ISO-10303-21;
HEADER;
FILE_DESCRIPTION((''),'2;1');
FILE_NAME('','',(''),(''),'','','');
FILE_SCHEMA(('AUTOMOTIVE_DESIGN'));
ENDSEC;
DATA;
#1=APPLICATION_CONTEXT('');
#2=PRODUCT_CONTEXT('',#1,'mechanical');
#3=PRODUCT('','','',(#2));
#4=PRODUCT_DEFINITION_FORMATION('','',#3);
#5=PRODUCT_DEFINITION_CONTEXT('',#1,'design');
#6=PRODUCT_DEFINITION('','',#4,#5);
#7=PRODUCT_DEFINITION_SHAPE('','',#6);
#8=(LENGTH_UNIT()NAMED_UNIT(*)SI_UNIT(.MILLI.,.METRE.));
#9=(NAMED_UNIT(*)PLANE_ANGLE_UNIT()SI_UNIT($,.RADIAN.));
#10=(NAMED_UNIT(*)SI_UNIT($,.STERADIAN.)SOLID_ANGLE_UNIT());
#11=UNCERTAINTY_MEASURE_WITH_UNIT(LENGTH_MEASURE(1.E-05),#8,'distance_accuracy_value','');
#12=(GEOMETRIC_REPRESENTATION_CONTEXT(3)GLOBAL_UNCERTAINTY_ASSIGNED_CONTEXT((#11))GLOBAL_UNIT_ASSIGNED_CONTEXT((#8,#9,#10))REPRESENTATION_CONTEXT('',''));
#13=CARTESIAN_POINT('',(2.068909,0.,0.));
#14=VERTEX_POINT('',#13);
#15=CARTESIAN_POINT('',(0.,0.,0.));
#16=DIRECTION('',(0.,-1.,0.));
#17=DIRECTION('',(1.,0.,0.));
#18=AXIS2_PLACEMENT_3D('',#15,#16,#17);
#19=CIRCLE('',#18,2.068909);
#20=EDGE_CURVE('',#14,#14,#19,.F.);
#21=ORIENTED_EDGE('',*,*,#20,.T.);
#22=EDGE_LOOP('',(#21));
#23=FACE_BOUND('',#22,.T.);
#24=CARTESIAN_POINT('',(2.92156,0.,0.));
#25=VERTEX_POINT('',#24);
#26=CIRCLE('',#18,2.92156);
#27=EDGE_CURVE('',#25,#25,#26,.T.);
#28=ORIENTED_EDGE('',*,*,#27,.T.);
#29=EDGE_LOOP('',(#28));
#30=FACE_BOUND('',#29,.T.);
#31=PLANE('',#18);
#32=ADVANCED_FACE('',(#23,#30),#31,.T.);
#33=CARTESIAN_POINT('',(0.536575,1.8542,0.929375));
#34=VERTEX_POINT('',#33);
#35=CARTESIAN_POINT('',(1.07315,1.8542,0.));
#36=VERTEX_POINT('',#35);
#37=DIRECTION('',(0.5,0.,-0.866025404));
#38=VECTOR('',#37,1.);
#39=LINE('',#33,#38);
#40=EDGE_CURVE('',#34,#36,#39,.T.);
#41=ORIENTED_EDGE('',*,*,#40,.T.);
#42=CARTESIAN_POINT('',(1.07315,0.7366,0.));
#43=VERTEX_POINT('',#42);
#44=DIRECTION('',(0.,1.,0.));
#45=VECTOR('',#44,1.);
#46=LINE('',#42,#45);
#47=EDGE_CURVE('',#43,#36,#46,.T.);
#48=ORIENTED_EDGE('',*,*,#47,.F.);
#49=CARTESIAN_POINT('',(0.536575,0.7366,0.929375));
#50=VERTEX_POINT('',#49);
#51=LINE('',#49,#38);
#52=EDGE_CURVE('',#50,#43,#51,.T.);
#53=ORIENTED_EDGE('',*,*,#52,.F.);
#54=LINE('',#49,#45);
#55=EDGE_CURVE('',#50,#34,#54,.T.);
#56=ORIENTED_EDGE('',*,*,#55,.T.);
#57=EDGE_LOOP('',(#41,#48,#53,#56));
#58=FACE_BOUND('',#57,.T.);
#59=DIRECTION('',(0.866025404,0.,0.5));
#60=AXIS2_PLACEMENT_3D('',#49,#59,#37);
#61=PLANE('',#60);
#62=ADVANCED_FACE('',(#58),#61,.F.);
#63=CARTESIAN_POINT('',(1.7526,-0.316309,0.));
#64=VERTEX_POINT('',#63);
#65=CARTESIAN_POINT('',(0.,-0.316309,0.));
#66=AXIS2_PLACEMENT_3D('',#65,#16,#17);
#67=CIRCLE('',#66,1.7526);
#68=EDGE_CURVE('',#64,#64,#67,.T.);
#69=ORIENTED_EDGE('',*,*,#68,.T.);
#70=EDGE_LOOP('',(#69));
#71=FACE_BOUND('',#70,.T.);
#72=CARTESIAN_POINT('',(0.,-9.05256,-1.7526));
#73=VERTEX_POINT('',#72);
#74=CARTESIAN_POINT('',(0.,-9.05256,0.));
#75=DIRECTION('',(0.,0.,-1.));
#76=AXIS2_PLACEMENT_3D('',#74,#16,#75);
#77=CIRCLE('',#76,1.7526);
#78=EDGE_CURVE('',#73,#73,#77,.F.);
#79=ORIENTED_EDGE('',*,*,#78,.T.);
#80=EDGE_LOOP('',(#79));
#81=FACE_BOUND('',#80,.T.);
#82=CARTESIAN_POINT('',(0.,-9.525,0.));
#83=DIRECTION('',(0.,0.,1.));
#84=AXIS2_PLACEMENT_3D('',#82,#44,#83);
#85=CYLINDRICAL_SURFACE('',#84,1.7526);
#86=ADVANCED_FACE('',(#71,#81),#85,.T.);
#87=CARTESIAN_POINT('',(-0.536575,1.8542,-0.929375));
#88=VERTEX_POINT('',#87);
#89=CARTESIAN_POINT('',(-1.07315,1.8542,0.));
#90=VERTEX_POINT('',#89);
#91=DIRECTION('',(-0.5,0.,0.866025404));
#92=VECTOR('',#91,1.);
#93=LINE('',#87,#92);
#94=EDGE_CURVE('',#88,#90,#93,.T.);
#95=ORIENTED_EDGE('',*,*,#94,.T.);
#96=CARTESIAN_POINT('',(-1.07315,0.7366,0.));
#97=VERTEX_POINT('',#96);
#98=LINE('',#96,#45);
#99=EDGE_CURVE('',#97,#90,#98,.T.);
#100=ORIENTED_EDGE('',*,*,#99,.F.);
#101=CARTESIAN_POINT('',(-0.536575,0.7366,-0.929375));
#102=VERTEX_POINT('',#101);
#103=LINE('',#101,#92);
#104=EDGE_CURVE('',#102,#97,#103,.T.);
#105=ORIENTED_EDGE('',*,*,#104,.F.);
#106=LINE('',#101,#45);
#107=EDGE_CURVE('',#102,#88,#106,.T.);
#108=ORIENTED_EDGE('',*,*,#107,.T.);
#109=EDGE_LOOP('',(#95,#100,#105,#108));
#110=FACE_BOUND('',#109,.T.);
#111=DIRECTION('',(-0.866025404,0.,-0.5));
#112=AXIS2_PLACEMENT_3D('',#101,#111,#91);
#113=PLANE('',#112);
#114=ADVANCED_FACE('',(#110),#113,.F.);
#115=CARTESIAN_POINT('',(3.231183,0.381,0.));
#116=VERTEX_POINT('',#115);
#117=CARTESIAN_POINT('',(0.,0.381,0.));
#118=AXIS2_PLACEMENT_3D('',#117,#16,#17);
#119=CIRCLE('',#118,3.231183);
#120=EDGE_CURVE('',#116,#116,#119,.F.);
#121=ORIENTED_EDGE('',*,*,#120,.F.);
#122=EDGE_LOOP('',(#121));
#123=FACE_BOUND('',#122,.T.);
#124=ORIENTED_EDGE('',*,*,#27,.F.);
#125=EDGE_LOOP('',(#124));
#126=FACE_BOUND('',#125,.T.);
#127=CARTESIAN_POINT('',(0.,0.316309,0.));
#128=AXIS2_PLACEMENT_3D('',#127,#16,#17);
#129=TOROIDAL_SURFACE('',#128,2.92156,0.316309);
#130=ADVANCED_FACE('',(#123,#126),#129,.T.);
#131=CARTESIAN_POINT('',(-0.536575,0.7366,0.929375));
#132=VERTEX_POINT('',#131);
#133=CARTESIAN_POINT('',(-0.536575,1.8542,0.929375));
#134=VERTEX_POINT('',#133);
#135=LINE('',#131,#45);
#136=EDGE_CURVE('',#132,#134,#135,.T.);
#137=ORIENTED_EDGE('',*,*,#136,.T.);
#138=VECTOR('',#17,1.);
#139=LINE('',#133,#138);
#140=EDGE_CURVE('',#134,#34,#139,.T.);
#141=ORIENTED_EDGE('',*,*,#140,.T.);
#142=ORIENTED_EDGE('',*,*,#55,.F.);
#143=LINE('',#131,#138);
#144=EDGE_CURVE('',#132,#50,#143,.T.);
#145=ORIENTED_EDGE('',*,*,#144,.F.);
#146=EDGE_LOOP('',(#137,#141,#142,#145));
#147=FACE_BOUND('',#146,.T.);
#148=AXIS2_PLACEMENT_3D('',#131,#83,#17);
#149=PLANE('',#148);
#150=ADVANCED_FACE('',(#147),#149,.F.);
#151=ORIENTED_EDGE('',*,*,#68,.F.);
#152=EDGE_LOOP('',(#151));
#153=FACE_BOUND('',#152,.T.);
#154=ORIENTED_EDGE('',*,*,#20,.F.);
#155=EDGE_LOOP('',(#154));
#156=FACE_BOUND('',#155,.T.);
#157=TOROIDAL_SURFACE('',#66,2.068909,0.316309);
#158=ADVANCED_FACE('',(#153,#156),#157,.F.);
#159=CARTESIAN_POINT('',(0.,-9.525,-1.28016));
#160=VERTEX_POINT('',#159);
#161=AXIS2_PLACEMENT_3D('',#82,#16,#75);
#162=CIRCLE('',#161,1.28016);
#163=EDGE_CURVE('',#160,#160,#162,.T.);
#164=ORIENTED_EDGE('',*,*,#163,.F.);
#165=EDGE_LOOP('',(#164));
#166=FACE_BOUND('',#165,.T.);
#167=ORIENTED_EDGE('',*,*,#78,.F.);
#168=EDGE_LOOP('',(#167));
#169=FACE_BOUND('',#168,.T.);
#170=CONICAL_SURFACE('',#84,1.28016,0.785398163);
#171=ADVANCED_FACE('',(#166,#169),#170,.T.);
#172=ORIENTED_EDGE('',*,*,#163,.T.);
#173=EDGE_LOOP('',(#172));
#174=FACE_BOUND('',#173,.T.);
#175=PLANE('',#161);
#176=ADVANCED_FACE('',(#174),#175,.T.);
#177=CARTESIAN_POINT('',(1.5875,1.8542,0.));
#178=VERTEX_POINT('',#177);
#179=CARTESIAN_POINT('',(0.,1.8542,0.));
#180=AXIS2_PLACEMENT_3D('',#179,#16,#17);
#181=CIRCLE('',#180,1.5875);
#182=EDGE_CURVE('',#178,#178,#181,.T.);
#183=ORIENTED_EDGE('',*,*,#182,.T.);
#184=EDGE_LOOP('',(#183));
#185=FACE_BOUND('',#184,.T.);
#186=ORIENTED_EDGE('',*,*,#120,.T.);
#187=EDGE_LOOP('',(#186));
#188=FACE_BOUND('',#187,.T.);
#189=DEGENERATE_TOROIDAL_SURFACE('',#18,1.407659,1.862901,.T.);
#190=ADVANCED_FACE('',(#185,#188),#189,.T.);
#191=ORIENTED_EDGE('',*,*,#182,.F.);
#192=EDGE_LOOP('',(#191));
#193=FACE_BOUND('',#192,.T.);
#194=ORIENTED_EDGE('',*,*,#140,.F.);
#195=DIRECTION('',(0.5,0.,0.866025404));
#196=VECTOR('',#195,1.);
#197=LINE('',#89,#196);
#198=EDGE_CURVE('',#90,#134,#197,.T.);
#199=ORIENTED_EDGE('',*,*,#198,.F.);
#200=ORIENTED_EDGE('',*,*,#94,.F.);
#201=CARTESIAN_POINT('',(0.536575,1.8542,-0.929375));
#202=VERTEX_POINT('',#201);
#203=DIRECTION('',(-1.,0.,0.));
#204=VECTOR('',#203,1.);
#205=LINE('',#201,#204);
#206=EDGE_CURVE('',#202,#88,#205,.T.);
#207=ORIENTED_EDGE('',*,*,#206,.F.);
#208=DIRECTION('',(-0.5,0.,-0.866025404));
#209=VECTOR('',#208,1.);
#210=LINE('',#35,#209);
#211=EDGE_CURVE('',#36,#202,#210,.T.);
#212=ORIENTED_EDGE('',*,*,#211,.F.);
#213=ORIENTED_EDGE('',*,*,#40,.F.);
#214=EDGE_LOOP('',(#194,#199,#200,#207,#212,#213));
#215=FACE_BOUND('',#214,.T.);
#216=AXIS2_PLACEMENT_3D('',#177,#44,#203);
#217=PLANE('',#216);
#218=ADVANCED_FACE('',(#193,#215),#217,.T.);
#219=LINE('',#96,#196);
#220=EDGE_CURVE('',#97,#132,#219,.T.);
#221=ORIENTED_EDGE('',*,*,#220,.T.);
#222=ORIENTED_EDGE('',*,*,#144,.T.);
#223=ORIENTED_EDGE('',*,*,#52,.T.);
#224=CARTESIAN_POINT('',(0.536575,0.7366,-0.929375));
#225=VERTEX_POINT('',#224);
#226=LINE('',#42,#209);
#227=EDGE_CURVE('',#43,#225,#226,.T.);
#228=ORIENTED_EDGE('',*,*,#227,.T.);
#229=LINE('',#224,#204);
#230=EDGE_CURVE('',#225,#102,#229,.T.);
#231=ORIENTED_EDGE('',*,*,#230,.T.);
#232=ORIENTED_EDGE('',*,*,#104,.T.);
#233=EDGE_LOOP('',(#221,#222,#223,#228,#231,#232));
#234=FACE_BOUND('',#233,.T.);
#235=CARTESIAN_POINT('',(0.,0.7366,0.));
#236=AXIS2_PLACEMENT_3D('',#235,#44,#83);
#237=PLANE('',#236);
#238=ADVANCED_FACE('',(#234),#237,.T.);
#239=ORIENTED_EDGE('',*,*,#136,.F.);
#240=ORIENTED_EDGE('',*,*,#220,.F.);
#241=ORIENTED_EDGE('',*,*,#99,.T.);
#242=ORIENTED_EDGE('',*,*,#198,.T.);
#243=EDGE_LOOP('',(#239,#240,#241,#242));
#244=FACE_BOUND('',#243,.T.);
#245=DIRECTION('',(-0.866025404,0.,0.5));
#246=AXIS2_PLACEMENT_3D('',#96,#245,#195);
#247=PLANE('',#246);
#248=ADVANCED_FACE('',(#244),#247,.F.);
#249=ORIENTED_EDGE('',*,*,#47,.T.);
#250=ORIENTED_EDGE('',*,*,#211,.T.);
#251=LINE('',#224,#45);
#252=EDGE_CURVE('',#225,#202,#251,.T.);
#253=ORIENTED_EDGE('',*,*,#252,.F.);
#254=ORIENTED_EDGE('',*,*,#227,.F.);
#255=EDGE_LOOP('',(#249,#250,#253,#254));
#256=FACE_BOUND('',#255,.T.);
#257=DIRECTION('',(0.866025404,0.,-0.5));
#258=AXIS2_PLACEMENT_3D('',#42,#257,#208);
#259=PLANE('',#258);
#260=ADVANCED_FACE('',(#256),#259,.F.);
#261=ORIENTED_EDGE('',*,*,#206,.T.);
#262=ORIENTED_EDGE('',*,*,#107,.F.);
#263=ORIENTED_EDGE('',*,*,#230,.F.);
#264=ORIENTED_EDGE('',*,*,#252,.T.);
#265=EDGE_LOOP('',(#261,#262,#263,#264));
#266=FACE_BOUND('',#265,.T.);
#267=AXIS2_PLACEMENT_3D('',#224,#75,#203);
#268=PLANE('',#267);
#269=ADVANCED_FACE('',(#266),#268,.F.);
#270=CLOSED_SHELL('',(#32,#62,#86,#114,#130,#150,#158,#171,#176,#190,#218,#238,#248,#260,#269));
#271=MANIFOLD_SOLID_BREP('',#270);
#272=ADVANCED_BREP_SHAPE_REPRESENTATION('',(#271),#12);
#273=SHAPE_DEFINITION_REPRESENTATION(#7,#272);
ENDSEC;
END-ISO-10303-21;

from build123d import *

# Parameters (mm, degrees)
SKETCH2_R           = 1.7526
BOSS_EXTRUDE1_DEPTH = 9.525
CUT_EXTRUDE1_DEPTH  = 1.1176
CHAMFER1_SIZE       = 0.47244
FILLET1_R           = 0.316308646


with BuildPart() as part:
    # Sketch1 → Revolve1 (revolve)
    with BuildSketch(Plane.XY):
        with BuildLine():
            Line((1.5875, 1.8542), (0, 1.8542))
            Line((0, 1.8542), (0, 0))
            Line((0, 0), (3.270560013, 0))
            ThreePointArc((3.270560013, 0), (2.787047666, 1.252073146), (1.5875, 1.8542))
        make_face()
    revolve(axis=Axis((0, 1.8542, 0), (0, -1, 0)))

    # Sketch2 → Boss-Extrude1 (add)
    with BuildSketch(Plane.XZ):
        Circle(SKETCH2_R)
    extrude(amount=BOSS_EXTRUDE1_DEPTH)

    # Sketch3 → Cut-Extrude1 (cut)
    with BuildSketch(Plane(origin=(0, 1.8542, 0), x_dir=(-1, 0, 0), z_dir=(0, 1, 0))):
        Polygon((0.536575, -0.929375162), (1.07315, 0), (0.536575, 0.929375162), (-0.536575, 0.929375162), (-1.07315, 0), (-0.536575, -0.929375162), align=None)
    extrude(amount=-CUT_EXTRUDE1_DEPTH, mode=Mode.SUBTRACT)

    # Chamfer1
    chamfer1_edges = [part.edges().sort_by_distance(p)[0] for p in [
        (-1.7526, -9.525, 0),
    ]]
    chamfer(chamfer1_edges, length=CHAMFER1_SIZE)

    # Fillet1
    fillet1_edges = [part.edges().sort_by_distance(p)[0] for p in [
        (-3.270560013, 0, 0),
        (-1.7526, 0, 0),
    ]]
    fillet(fillet1_edges, radius=FILLET1_R)


solid = part.part
